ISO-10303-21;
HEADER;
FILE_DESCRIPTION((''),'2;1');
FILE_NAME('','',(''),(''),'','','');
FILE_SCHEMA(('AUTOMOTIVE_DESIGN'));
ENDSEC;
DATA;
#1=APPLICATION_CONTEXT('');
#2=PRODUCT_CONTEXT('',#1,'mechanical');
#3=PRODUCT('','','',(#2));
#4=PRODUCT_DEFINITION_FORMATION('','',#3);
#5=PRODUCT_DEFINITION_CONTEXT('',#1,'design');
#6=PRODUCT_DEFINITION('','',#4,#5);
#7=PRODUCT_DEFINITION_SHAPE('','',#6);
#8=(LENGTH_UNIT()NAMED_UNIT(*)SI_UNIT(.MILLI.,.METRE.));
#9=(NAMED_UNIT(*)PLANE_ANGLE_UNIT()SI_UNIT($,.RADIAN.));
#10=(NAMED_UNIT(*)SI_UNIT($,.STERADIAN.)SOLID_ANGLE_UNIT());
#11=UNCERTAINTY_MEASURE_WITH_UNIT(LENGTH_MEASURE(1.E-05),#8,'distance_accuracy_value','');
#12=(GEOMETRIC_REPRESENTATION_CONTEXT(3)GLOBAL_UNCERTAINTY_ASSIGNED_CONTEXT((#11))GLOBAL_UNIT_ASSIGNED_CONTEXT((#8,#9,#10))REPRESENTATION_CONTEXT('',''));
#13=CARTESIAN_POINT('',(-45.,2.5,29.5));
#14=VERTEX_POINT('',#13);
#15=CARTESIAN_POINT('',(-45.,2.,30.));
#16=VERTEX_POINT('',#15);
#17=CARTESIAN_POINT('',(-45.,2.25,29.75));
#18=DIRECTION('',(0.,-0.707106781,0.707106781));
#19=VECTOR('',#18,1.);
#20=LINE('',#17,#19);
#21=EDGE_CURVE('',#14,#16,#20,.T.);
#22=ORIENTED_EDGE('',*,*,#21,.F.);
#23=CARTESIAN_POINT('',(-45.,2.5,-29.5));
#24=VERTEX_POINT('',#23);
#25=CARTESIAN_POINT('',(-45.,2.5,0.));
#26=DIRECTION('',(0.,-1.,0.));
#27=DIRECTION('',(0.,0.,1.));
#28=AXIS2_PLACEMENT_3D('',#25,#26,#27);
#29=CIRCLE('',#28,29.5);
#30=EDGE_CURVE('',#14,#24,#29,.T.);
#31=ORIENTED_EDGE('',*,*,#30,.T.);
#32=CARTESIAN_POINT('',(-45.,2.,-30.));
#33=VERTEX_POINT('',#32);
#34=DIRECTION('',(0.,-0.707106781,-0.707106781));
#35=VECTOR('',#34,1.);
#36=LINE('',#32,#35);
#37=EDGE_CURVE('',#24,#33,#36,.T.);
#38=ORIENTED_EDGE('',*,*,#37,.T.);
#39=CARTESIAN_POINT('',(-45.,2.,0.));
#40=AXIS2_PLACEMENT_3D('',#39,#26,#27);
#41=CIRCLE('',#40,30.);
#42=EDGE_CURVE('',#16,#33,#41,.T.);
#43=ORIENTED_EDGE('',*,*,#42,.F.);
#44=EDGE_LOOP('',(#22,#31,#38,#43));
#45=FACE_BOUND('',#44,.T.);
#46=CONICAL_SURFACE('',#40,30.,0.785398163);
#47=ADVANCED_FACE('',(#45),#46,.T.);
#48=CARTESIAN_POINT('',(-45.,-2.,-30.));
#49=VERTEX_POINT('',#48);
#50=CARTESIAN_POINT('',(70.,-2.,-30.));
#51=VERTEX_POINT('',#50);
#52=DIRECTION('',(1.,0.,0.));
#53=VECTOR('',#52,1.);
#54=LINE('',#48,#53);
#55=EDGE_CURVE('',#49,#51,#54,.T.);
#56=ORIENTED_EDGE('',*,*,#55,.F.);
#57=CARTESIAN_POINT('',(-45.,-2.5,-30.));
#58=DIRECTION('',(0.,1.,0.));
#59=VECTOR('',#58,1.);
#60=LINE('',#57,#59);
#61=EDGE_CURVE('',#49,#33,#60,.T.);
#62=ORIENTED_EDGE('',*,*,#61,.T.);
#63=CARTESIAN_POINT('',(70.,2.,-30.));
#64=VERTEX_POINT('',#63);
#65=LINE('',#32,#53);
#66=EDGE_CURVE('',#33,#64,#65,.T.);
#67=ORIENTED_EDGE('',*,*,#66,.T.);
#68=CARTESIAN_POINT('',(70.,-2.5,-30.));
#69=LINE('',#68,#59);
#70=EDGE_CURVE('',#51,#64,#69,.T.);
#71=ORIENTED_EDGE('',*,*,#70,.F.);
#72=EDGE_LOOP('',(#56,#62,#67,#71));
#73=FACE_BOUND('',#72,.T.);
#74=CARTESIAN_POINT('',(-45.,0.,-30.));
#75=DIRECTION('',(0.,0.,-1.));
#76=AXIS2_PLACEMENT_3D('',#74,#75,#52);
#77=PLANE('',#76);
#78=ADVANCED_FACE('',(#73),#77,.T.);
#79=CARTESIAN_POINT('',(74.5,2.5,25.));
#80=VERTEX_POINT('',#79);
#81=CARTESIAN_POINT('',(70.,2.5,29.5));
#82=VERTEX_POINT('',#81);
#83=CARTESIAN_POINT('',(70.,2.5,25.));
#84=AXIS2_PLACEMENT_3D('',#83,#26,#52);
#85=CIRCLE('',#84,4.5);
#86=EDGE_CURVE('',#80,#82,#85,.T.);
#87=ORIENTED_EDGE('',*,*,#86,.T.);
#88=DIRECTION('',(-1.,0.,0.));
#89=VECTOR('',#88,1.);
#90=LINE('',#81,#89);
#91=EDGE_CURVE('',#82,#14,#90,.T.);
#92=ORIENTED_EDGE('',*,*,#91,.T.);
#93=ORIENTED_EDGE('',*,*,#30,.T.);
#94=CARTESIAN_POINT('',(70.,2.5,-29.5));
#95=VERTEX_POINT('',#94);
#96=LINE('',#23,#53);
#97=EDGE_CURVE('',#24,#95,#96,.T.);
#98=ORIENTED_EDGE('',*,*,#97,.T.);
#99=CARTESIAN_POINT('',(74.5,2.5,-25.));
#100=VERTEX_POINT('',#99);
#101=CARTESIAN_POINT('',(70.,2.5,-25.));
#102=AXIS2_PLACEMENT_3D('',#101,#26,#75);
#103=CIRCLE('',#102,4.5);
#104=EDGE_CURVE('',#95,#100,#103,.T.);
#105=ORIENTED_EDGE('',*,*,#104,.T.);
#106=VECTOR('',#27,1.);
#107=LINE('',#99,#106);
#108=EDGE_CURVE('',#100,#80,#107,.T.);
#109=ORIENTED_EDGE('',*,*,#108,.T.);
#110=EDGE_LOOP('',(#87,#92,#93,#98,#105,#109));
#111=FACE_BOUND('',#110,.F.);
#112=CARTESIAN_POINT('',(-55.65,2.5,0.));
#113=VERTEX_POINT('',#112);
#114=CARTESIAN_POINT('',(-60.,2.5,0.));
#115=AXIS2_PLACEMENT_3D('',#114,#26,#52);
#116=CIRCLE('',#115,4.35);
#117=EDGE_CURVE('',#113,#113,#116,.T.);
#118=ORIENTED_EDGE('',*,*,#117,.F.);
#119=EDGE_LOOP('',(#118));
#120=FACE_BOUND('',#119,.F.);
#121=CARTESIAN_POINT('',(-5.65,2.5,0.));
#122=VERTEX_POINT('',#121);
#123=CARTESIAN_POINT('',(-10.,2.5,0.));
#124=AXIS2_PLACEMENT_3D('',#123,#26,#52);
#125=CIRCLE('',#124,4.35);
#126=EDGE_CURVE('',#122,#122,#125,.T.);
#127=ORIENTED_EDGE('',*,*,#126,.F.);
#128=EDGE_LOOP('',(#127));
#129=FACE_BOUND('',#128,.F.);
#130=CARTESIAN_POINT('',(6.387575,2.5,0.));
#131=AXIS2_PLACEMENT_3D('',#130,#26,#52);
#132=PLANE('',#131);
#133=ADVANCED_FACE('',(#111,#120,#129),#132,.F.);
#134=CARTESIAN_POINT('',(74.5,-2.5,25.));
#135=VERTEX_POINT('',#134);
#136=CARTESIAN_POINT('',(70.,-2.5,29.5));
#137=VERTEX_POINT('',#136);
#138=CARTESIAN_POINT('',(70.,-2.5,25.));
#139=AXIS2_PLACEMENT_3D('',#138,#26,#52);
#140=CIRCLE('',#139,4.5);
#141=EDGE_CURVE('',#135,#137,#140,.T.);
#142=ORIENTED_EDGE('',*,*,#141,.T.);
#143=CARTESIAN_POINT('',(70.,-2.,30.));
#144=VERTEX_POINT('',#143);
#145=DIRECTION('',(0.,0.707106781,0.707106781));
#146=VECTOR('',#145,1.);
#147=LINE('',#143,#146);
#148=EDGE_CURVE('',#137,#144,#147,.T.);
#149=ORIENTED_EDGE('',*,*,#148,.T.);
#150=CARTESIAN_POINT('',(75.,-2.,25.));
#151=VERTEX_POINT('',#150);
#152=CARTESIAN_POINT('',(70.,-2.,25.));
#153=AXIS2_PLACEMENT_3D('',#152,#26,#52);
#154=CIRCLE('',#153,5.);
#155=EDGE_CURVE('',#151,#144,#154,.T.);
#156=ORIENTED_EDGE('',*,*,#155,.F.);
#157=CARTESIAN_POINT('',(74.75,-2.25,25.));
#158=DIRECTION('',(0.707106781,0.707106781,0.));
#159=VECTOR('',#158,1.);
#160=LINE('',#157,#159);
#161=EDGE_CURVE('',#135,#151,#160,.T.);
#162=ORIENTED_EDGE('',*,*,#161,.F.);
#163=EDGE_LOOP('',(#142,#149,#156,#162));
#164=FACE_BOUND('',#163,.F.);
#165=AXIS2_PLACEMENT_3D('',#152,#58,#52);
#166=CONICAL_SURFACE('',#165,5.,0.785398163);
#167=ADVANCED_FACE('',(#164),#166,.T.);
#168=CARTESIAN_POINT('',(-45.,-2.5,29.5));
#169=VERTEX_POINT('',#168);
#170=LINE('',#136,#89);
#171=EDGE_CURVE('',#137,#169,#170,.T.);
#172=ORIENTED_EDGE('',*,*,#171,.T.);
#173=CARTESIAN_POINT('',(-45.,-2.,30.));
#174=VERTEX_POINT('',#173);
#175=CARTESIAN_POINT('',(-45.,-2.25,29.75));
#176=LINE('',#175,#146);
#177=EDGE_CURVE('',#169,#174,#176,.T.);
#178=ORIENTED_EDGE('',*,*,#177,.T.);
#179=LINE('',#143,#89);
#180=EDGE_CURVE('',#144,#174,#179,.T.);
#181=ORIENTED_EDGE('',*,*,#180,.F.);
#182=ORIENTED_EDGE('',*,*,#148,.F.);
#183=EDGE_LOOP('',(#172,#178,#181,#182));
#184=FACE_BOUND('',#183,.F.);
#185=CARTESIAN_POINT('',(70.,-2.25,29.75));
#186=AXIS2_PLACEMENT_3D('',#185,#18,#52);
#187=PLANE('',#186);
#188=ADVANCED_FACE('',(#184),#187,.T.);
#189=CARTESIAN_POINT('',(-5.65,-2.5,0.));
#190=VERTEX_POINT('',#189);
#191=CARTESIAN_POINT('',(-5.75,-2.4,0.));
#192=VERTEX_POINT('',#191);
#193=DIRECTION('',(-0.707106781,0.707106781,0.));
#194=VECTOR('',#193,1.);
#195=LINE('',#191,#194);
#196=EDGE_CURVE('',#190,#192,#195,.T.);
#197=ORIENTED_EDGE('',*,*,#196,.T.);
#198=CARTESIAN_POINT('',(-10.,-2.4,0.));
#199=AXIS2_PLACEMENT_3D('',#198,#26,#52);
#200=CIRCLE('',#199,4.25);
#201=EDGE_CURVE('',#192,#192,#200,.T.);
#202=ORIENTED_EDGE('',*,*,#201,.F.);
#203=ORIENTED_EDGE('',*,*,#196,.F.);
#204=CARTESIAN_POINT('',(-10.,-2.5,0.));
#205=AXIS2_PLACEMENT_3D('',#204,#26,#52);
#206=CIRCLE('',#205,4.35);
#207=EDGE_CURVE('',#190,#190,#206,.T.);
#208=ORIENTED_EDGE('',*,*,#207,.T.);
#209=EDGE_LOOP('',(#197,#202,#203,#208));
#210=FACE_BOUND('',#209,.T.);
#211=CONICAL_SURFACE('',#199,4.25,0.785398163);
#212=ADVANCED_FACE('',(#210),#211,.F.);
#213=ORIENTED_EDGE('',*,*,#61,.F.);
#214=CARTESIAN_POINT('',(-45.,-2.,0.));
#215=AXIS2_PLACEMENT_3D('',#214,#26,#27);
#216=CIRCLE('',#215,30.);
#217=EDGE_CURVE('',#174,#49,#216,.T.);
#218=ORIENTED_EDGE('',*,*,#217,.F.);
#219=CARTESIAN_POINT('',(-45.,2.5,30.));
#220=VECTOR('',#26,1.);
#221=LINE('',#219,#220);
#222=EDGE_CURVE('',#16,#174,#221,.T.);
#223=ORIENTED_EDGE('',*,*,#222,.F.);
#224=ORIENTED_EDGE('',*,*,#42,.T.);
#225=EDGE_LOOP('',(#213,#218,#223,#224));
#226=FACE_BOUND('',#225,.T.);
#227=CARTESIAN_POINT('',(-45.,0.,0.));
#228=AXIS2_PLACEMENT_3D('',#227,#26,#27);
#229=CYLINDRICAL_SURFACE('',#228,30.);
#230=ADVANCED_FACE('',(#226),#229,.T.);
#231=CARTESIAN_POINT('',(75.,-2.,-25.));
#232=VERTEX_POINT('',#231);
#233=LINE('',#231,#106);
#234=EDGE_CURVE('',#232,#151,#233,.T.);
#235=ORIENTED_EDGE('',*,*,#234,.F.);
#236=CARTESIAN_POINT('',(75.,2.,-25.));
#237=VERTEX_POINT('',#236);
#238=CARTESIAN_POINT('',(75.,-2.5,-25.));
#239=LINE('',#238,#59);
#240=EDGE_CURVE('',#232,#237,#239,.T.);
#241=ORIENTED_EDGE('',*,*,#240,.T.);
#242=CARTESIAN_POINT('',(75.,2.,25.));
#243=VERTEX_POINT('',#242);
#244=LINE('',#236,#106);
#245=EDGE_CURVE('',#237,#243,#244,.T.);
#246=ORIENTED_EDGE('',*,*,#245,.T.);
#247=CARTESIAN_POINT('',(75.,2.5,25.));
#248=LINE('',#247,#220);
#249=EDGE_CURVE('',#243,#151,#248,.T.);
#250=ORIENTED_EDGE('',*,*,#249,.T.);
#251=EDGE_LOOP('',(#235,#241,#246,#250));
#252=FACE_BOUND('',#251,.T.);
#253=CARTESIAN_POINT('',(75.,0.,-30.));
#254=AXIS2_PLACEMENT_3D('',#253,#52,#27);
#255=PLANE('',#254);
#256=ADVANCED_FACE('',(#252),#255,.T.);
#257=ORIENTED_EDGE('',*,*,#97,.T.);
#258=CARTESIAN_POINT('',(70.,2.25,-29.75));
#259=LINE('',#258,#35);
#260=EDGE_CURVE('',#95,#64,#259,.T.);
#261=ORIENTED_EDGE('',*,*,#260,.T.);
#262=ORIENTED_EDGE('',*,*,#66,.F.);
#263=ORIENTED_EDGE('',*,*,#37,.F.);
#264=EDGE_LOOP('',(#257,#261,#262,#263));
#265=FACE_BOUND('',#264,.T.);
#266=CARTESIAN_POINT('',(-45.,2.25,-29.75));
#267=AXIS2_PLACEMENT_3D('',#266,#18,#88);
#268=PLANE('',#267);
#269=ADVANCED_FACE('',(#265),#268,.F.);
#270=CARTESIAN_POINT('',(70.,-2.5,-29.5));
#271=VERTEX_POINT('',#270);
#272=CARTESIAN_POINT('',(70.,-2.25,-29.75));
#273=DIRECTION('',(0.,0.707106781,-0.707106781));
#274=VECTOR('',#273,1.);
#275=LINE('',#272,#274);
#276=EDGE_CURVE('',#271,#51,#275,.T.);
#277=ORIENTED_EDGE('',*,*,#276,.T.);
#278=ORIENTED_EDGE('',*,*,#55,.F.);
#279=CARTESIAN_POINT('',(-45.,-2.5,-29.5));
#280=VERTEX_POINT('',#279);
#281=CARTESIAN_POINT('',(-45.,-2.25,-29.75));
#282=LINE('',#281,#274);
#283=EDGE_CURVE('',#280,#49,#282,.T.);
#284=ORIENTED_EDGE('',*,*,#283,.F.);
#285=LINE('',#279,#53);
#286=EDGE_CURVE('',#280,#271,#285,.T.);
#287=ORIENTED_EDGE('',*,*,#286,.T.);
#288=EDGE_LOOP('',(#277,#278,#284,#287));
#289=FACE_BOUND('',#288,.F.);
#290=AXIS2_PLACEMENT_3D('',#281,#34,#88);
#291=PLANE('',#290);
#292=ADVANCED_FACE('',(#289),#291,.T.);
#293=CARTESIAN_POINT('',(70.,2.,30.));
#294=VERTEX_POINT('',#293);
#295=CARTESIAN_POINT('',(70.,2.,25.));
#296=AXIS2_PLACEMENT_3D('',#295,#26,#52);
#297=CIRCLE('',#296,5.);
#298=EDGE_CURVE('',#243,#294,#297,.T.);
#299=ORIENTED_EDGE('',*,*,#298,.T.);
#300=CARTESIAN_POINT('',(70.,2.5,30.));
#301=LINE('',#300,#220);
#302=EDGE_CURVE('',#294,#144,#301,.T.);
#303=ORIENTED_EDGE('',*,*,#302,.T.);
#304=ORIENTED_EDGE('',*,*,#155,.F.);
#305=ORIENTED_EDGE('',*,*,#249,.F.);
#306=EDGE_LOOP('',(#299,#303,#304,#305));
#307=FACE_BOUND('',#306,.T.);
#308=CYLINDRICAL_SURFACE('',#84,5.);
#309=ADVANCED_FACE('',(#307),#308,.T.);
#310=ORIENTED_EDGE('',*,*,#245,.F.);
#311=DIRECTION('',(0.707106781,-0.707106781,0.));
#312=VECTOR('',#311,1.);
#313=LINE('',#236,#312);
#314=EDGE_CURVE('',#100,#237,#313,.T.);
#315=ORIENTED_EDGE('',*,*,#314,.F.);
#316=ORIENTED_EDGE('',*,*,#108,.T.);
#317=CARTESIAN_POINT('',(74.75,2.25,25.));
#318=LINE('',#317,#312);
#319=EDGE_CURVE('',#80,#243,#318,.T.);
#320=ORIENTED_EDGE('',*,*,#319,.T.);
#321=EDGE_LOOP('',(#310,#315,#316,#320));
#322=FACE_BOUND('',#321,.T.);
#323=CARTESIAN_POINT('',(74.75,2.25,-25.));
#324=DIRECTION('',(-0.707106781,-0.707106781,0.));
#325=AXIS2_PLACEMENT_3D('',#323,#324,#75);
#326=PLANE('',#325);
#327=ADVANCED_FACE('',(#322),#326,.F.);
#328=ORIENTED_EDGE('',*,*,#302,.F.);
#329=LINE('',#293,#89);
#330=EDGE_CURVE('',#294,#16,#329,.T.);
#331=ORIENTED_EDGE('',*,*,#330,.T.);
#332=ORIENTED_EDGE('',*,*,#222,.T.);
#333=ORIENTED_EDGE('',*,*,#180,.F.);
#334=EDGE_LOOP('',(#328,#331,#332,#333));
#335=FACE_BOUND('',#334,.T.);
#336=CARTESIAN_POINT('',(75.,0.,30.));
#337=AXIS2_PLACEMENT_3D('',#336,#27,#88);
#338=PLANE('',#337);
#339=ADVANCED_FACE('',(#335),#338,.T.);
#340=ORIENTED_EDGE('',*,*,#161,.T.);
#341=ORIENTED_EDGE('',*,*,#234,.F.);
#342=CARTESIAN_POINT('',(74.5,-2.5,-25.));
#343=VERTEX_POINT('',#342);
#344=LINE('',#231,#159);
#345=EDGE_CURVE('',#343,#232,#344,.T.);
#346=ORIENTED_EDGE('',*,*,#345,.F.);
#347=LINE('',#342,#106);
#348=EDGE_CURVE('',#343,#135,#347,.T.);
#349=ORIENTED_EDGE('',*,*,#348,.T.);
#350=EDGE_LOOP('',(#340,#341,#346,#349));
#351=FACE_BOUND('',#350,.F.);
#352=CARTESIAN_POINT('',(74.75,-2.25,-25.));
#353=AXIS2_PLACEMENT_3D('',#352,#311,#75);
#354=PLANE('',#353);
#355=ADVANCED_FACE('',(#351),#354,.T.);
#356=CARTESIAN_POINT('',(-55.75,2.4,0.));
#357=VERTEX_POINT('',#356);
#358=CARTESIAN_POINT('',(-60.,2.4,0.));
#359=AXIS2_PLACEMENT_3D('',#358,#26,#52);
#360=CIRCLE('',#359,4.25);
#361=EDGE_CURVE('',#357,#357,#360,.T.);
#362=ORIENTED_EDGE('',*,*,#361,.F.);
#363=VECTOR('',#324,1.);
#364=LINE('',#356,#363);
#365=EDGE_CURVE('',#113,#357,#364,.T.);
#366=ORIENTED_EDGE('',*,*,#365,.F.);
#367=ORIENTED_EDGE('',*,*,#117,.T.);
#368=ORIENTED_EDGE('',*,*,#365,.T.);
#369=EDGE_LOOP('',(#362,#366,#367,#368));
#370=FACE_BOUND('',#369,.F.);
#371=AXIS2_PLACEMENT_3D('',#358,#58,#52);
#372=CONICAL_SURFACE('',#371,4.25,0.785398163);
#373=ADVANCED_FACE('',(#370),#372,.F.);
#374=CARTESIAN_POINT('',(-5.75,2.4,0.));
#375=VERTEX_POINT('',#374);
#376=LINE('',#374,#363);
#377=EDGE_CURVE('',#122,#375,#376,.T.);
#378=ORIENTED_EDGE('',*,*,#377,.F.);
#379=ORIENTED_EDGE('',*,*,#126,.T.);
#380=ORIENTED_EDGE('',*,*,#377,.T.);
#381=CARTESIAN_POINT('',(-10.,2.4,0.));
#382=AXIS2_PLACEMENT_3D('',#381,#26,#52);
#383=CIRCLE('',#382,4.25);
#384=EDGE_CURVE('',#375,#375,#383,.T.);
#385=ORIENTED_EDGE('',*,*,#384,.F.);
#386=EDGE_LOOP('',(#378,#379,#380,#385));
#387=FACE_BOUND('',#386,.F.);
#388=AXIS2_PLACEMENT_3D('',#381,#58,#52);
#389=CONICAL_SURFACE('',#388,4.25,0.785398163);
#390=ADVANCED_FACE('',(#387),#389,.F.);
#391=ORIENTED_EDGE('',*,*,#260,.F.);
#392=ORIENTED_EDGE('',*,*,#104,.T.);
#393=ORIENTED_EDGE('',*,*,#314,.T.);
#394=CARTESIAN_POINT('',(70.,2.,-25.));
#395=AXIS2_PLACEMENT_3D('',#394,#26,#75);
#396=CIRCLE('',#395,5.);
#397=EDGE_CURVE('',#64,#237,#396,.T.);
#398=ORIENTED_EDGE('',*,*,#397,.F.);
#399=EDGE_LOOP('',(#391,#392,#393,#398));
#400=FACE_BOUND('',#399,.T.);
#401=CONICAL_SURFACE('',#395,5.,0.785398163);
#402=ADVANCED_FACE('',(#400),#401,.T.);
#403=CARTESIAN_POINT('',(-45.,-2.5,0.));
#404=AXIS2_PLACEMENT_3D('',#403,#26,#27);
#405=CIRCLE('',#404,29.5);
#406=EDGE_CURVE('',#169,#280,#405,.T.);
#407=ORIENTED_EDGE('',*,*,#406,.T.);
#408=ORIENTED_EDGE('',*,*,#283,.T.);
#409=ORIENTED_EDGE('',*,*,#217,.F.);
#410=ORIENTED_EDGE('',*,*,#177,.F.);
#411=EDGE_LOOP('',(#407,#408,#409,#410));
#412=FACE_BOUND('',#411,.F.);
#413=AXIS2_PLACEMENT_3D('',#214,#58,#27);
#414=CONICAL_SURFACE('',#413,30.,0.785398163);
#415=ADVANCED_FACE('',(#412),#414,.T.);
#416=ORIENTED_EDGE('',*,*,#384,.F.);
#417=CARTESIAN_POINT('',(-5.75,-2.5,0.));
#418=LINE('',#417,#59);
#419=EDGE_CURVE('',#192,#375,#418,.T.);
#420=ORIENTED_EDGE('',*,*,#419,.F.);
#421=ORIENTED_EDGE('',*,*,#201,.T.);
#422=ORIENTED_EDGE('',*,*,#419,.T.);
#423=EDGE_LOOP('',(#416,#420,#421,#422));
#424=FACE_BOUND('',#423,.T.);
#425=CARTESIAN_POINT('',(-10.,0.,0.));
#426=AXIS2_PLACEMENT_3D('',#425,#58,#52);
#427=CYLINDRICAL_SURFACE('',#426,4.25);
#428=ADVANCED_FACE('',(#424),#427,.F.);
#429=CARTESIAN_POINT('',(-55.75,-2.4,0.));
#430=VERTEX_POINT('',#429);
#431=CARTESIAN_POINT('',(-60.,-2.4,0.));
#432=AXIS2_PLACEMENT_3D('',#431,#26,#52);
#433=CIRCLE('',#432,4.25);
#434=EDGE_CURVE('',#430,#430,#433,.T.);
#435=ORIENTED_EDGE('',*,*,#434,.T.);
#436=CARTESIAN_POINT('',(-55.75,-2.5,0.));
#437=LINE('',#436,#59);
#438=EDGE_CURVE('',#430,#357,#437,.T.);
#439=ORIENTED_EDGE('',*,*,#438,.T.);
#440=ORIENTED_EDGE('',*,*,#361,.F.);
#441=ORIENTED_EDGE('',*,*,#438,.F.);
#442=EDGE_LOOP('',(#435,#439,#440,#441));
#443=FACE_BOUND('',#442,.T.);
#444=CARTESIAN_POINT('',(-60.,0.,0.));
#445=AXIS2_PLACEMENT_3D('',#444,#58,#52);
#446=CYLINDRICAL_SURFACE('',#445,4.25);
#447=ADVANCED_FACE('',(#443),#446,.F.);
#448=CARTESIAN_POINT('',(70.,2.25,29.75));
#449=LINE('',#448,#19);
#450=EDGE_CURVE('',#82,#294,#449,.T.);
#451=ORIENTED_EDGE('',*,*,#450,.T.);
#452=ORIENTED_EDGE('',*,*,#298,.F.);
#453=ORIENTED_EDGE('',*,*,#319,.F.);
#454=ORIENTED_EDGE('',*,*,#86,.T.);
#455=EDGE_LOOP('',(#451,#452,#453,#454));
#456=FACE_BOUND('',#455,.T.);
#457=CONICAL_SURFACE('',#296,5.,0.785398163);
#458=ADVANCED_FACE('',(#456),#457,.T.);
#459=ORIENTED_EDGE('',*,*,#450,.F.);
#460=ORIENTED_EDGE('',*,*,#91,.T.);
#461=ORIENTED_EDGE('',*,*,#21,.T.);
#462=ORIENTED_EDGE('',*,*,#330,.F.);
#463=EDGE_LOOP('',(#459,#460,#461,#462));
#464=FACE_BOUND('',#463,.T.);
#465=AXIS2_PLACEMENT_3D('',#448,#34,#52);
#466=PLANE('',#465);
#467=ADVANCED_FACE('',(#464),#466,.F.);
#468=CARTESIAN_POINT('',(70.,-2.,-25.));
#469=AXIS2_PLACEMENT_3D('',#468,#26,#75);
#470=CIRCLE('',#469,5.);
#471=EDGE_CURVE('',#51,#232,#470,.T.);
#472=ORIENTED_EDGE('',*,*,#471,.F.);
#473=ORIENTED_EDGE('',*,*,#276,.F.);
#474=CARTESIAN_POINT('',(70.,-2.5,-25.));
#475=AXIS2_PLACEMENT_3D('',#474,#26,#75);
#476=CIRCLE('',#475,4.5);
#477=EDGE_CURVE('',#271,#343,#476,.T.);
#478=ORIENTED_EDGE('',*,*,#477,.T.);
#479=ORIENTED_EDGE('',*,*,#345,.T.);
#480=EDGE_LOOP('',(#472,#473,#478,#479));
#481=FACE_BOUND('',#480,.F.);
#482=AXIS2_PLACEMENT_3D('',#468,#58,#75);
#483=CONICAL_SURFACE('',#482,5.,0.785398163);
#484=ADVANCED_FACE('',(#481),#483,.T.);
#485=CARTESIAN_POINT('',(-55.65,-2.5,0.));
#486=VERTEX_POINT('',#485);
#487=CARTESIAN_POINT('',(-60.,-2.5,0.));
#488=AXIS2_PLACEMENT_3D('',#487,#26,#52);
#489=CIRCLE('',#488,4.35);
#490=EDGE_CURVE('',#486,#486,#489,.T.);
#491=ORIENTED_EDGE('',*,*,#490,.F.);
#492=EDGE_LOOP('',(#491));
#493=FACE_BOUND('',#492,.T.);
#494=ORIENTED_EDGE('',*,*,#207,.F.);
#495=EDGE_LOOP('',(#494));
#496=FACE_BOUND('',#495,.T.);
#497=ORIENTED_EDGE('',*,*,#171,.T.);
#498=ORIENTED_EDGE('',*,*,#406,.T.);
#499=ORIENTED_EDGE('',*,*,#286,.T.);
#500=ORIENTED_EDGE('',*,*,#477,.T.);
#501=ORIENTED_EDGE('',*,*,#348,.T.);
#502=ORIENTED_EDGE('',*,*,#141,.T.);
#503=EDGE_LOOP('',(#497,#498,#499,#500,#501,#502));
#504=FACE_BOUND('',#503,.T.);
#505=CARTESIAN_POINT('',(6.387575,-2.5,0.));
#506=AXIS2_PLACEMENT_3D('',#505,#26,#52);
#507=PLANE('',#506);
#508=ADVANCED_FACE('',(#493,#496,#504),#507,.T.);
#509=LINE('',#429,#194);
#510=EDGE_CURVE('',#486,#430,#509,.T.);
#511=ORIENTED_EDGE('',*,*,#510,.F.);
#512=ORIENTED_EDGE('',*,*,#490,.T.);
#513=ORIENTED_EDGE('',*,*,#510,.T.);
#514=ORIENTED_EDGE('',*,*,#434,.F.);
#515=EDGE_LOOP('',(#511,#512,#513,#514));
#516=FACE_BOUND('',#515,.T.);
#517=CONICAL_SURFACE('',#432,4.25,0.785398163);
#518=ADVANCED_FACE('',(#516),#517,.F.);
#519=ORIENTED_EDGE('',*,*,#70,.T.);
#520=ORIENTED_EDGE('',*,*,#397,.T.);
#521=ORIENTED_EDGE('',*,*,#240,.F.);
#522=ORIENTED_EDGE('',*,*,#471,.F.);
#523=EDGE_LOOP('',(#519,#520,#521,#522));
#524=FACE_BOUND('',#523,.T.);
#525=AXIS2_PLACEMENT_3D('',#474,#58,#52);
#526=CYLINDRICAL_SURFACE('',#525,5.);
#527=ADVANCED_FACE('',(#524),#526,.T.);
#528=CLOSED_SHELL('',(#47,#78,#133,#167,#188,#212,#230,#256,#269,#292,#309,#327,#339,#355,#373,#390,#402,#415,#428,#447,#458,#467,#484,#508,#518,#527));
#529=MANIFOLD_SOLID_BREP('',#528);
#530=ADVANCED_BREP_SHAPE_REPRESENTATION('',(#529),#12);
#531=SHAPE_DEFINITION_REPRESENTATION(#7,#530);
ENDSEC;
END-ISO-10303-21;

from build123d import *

# Parameters (mm, degrees)
F0_R     = 4.25
F1_DEPTH = 2.5
F2_R     = 5
F3_SIZE  = 0.5
F4_SIZE  = 0.1


with BuildPart() as f1:
    # F0 (on Front) → F1 (new body, symmetric)
    with BuildSketch(Plane.XZ):
        with BuildLine():
            Line((75, -30), (75, 30))
            Line((75, 30), (-45, 30))
            ThreePointArc((-45, 30), (-75, 0), (-45, -30))
            Line((-45, -30), (75, -30))
        make_face()
        with Locations((-60, 0)):
            Circle(F0_R, mode=Mode.SUBTRACT)
        with Locations((-10, 0)):
            Circle(F0_R, mode=Mode.SUBTRACT)
    extrude(amount=F1_DEPTH, both=True)

    # F2
    f2_edges = [f1.edges().sort_by_distance(p)[0] for p in [
        (75, 0, -30),
        (75, 0, 30),
    ]]
    fillet(f2_edges, radius=F2_R)

    # F3
    f3_edges = [f1.edges().sort_by_distance(p)[0] for p in [
        (12.5, -2.5, -30),
        (12.5, 2.5, 30),
    ]]
    chamfer(f3_edges, length=F3_SIZE)

    # F4
    f4_edges = [f1.edges().sort_by_distance(p)[0] for p in [
        (-14.25, 2.5, 0),
        (-64.25, 2.5, 0),
        (-64.25, -2.5, 0),
        (-14.25, -2.5, 0),
    ]]
    chamfer(f4_edges, length=F4_SIZE)


solid = f1.part
